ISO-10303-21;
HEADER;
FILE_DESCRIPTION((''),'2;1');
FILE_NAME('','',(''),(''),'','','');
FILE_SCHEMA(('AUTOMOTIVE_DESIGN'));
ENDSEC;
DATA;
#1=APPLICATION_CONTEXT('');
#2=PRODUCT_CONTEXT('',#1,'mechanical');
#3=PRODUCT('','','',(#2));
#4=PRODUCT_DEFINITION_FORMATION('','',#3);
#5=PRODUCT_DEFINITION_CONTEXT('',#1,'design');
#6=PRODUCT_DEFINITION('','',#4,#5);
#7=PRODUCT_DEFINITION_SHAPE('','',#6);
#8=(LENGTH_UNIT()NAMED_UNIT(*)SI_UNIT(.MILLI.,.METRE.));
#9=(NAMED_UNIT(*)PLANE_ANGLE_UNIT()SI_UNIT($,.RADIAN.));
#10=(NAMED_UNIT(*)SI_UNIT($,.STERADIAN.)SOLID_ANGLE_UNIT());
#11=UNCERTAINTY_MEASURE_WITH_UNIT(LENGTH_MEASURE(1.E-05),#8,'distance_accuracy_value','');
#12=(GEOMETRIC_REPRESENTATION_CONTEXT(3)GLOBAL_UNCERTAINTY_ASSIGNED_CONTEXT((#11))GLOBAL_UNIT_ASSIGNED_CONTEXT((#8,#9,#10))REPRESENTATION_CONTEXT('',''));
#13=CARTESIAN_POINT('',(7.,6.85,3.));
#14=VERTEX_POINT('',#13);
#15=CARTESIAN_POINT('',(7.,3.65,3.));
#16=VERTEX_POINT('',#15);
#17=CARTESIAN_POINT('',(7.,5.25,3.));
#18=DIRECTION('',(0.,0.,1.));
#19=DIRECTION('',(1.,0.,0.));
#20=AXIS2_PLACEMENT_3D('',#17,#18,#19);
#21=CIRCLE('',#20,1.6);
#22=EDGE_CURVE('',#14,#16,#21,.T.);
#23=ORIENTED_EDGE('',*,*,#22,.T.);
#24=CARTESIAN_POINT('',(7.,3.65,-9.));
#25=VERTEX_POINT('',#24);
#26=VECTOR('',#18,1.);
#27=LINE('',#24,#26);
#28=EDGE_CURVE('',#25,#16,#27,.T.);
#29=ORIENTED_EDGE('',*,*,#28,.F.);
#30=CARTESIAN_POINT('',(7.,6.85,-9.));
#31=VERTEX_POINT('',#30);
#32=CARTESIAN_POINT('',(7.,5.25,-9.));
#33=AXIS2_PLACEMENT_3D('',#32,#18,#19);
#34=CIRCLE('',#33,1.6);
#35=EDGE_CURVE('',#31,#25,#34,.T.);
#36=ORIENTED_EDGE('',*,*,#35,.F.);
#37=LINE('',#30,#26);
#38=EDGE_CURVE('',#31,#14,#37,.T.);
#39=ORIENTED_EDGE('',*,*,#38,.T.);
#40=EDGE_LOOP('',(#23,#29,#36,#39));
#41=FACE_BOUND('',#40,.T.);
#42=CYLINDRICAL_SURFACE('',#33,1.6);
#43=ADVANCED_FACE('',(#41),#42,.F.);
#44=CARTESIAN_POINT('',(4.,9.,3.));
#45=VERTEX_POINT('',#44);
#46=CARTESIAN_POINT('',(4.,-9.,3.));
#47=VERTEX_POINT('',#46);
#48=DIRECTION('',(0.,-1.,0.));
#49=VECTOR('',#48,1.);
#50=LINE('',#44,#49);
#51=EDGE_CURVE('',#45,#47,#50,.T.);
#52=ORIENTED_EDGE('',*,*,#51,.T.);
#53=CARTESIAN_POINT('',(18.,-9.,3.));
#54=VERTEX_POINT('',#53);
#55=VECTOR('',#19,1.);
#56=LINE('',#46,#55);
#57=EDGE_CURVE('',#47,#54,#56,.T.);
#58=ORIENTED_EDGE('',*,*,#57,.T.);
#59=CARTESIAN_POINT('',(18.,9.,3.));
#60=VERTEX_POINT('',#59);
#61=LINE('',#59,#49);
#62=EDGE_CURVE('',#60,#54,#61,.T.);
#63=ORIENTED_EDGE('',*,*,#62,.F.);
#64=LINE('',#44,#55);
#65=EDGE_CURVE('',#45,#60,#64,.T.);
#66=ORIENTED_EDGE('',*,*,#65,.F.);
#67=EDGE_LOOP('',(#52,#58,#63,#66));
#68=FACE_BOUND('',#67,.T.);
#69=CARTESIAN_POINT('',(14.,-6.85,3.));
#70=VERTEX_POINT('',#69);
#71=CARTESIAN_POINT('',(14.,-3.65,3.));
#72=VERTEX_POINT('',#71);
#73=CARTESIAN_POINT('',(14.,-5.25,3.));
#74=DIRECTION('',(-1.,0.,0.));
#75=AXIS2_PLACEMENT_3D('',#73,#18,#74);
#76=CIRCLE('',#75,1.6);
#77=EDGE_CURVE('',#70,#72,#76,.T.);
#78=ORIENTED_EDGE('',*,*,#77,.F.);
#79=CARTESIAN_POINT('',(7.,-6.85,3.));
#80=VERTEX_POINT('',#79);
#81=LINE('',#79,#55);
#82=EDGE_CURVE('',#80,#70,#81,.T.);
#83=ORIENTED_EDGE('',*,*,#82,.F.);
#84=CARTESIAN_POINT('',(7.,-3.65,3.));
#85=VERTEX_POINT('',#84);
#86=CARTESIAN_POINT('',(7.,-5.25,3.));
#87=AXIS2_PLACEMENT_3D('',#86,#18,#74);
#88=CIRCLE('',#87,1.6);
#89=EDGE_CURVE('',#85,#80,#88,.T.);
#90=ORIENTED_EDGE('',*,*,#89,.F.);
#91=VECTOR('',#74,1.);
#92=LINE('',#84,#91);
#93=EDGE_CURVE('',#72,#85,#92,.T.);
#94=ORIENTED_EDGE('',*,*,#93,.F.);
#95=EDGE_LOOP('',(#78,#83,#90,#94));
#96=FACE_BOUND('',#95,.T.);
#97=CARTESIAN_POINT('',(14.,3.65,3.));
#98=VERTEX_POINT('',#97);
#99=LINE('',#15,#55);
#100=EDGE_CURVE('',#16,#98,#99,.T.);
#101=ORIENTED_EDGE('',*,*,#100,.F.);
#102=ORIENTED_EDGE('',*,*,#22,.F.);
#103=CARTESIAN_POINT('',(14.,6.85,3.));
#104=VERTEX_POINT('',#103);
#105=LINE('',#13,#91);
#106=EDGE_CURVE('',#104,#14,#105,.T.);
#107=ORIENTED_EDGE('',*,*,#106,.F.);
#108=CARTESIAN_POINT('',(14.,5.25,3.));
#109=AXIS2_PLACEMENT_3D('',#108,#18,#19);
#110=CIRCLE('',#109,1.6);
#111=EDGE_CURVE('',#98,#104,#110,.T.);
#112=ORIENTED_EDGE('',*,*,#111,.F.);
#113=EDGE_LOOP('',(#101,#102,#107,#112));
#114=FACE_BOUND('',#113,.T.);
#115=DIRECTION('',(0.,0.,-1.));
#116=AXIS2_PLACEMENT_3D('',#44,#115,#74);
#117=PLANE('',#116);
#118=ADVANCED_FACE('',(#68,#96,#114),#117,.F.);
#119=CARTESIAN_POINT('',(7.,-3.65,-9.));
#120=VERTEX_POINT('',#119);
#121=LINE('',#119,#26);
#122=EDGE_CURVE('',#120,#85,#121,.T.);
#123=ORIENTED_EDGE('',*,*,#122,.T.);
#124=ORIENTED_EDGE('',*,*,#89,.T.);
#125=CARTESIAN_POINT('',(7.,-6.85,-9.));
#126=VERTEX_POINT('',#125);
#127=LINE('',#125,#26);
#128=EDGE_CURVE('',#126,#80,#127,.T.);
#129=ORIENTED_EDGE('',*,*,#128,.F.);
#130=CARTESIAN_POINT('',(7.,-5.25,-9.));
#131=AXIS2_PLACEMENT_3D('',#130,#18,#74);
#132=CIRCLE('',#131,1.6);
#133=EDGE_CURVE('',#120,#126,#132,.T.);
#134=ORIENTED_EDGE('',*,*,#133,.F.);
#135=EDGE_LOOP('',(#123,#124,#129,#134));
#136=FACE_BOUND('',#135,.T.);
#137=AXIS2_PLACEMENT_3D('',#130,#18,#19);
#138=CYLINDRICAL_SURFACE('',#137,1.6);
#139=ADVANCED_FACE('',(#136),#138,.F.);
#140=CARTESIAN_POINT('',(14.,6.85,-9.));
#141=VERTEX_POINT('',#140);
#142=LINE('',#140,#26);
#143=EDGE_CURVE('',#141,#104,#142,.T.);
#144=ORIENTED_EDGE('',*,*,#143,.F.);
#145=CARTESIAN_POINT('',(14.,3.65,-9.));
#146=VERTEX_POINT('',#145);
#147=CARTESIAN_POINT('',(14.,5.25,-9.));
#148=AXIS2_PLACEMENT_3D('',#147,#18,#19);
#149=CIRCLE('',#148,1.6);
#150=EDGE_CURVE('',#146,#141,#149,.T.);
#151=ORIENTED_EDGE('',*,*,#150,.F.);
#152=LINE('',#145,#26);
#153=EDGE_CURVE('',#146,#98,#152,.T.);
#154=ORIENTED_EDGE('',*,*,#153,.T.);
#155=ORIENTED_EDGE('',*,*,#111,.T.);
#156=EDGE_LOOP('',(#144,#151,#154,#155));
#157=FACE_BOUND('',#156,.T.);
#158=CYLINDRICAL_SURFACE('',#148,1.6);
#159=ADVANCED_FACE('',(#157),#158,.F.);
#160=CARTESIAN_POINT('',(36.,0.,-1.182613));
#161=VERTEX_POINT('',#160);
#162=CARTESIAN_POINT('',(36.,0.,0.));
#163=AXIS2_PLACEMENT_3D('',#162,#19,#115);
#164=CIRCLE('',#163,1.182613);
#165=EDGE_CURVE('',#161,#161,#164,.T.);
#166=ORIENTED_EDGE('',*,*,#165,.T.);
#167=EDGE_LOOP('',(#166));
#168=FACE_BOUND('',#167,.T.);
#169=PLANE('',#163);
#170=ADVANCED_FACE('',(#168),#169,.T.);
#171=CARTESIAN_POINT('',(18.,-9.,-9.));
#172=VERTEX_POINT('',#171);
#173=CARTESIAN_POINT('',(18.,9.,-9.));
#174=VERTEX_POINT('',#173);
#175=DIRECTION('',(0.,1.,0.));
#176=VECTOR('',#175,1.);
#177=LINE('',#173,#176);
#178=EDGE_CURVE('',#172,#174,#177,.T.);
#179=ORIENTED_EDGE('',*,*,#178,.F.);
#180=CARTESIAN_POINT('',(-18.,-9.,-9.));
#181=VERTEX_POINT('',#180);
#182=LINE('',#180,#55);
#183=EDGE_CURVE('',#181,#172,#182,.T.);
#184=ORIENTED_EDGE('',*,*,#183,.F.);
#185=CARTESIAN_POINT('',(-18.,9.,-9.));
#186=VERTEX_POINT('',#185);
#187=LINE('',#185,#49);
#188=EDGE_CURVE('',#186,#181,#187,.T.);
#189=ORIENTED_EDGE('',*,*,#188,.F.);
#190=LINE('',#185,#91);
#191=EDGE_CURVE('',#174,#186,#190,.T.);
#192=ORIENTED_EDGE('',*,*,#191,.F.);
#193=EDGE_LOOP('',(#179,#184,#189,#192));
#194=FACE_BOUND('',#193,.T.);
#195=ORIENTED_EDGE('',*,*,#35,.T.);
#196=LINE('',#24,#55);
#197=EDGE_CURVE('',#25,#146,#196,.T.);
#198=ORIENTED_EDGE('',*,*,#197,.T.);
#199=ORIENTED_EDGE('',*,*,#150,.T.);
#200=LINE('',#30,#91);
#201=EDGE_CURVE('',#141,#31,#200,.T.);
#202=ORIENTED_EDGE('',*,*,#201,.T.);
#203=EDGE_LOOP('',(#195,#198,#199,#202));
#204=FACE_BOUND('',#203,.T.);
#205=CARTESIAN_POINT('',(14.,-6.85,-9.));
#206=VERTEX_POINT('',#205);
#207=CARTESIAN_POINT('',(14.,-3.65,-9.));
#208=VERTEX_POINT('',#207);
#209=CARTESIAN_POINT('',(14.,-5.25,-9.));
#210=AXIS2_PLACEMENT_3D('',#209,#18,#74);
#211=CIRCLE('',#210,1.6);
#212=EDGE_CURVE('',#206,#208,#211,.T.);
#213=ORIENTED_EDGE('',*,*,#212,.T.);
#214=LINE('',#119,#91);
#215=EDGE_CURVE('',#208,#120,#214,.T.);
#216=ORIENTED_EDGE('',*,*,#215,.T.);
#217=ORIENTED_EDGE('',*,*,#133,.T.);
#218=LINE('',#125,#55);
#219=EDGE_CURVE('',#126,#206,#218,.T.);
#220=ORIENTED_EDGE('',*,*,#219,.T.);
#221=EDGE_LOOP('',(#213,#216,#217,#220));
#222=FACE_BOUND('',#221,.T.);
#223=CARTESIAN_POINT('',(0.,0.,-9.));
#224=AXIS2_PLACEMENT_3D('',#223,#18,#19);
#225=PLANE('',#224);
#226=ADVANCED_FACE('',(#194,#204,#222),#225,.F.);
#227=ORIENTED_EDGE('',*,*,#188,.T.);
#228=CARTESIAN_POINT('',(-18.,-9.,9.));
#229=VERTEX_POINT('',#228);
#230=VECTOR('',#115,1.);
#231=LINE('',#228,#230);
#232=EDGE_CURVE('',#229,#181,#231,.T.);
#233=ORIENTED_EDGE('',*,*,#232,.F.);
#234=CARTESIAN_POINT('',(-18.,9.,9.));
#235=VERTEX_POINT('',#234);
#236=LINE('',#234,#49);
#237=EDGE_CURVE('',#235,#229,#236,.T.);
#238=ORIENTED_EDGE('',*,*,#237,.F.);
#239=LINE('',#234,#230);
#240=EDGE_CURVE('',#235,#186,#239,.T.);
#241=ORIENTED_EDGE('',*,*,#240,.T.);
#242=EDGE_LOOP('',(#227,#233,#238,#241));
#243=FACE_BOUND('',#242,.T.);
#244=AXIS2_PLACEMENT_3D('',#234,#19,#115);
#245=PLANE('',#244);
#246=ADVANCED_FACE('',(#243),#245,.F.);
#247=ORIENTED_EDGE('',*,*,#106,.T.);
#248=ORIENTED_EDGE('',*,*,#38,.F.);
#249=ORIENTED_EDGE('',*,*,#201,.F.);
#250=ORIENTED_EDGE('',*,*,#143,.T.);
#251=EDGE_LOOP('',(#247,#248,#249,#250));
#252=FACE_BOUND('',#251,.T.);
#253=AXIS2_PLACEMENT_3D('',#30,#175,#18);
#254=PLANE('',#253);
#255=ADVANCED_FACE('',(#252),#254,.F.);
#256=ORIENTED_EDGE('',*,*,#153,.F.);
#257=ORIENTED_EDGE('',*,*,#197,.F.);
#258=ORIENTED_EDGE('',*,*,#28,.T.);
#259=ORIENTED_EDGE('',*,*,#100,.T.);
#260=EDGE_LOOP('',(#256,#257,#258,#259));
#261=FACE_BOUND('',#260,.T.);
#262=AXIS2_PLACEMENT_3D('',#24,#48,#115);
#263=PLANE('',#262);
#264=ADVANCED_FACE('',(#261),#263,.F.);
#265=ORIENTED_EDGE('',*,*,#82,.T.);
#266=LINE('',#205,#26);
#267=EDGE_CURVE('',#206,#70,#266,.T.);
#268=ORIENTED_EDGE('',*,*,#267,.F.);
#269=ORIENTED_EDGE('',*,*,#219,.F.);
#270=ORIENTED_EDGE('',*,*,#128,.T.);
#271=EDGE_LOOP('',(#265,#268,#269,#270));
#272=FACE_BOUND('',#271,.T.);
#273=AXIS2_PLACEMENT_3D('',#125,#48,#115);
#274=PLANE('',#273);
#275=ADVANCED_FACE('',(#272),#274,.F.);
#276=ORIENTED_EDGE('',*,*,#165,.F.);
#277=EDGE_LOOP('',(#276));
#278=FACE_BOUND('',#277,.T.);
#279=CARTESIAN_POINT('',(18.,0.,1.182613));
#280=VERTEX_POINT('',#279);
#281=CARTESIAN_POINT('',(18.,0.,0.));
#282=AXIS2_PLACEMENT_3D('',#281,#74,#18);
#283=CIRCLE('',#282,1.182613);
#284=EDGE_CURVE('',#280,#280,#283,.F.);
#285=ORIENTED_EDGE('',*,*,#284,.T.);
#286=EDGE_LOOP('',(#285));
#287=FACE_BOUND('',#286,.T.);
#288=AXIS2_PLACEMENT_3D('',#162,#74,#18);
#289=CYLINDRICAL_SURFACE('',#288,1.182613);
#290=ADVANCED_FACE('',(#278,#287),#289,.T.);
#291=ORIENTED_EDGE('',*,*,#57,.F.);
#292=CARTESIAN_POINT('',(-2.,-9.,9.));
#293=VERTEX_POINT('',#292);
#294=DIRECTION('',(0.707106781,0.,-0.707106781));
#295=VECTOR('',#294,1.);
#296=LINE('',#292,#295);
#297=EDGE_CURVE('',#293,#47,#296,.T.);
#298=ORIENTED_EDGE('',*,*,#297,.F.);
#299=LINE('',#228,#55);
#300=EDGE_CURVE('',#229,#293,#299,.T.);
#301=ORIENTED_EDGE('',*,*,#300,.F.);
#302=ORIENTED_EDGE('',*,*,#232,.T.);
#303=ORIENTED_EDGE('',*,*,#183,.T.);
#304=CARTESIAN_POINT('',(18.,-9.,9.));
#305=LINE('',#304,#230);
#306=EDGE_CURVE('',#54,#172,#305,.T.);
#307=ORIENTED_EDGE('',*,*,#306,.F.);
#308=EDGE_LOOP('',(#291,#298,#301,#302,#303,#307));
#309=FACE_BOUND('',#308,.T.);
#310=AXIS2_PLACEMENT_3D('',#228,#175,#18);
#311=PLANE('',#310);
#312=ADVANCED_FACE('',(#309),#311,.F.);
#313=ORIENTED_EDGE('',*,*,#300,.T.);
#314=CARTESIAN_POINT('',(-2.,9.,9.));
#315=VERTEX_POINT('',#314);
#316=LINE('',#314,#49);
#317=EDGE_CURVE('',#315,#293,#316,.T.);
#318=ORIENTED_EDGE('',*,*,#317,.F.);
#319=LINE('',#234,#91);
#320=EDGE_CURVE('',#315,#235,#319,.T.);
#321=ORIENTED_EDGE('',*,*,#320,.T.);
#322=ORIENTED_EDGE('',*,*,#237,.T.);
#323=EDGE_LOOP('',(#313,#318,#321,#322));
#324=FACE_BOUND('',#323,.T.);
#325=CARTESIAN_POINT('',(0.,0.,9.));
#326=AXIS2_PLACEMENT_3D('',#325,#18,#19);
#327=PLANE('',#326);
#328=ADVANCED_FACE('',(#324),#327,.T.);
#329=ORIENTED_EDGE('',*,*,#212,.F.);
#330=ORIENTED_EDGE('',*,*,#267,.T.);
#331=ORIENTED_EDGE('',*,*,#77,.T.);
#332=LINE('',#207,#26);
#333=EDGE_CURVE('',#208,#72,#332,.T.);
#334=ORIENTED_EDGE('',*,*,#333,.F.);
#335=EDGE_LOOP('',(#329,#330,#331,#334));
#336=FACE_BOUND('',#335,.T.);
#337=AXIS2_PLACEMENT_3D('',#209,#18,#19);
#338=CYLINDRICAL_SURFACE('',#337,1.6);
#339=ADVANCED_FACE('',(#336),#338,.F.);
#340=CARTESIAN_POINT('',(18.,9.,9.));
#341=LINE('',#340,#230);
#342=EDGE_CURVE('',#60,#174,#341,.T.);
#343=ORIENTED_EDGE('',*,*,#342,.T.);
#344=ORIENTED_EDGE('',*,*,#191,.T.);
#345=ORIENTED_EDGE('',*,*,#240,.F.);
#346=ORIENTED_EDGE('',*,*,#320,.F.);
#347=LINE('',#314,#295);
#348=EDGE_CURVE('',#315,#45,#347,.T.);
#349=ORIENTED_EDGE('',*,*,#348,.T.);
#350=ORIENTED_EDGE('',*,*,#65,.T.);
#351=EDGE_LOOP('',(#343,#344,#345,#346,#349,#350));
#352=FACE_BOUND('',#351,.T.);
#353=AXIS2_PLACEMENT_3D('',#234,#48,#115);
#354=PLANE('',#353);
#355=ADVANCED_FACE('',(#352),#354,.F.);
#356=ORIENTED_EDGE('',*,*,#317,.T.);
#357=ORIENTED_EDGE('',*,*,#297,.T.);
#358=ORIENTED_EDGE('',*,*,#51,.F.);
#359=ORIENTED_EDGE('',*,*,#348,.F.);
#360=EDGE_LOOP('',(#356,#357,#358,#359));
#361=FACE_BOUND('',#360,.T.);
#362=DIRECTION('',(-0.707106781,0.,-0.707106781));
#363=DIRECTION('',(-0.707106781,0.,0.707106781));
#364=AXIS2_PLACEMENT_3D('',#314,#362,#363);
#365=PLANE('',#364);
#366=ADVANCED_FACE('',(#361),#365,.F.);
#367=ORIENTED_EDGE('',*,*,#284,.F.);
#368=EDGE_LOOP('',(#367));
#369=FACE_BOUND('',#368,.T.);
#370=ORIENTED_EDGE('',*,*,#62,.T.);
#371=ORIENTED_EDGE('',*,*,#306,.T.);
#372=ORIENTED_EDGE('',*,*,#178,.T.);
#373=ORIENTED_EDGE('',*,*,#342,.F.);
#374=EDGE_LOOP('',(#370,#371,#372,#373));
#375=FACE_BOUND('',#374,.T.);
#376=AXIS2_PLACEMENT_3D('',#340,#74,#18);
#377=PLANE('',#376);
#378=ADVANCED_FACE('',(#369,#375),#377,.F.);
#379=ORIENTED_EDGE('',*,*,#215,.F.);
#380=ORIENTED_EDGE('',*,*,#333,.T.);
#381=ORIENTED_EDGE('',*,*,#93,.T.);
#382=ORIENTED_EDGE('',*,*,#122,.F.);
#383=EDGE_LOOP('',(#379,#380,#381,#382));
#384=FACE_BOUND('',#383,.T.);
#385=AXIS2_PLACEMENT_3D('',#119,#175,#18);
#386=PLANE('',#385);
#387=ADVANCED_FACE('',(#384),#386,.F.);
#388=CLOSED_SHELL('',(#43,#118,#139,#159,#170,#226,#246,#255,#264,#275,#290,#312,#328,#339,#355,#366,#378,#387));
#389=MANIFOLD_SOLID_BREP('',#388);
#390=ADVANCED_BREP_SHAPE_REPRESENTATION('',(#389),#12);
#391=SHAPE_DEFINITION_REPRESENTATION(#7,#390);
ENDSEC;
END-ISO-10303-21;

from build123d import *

# Parameters (mm, degrees)
SZKIC1_W                    = 36
SZKIC1_H                    = 18
DODANIE_WYCI_GNI_CIE1_DEPTH = 9
WYTNIJ_WYCI_GNI_CIE1_DEPTH  = 18
SZKIC3_R                    = 1.182612818
DODANIE_WYCI_GNI_CIE2_DEPTH = 18
WYTNIJ_WYCI_GNI_CIE2_DEPTH  = 40


with BuildPart() as part:
    # Szkic1 → Dodanie-wyciągnięcie1 (new, symmetric)
    with BuildSketch(Plane.XY):
        Rectangle(SZKIC1_W, SZKIC1_H)
    extrude(amount=DODANIE_WYCI_GNI_CIE1_DEPTH, both=True)

    # Szkic2 → Wytnij-wyciągnięcie1 (cut)
    with BuildSketch(Plane.XZ.offset(9)):
        Polygon((-2, 9), (4, 3), (18, 3), (18, 9), align=None)
    extrude(amount=-WYTNIJ_WYCI_GNI_CIE1_DEPTH, mode=Mode.SUBTRACT)

    # Szkic3 → Dodanie-wyciągnięcie2 (add)
    with BuildSketch(Plane(origin=(18, 0, 0), x_dir=(0, 0, -1), z_dir=(1, 0, 0))):
        with Locations(Location((0, 0, 0), (0, 0, 180))):
            Circle(SZKIC3_R)
    extrude(amount=DODANIE_WYCI_GNI_CIE2_DEPTH)

    # Szkic4 → Wytnij-wyciągnięcie2 (cut, through all)
    with BuildSketch(Plane.XY.offset(3)):
        with BuildLine():
            Line((7, 6.85), (14, 6.85))
            ThreePointArc((14, 6.85), (15.6, 5.25), (14, 3.65))
            Line((14, 3.65), (7, 3.65))
            ThreePointArc((7, 3.65), (5.4, 5.25), (7, 6.85))
        make_face()
        with BuildLine():
            Line((7, -6.85), (14, -6.85))
            ThreePointArc((14, -6.85), (15.6, -5.25), (14, -3.65))
            Line((14, -3.65), (7, -3.65))
            ThreePointArc((7, -3.65), (5.4, -5.25), (7, -6.85))
        make_face()
    extrude(amount=-WYTNIJ_WYCI_GNI_CIE2_DEPTH, mode=Mode.SUBTRACT)


solid = part.part
